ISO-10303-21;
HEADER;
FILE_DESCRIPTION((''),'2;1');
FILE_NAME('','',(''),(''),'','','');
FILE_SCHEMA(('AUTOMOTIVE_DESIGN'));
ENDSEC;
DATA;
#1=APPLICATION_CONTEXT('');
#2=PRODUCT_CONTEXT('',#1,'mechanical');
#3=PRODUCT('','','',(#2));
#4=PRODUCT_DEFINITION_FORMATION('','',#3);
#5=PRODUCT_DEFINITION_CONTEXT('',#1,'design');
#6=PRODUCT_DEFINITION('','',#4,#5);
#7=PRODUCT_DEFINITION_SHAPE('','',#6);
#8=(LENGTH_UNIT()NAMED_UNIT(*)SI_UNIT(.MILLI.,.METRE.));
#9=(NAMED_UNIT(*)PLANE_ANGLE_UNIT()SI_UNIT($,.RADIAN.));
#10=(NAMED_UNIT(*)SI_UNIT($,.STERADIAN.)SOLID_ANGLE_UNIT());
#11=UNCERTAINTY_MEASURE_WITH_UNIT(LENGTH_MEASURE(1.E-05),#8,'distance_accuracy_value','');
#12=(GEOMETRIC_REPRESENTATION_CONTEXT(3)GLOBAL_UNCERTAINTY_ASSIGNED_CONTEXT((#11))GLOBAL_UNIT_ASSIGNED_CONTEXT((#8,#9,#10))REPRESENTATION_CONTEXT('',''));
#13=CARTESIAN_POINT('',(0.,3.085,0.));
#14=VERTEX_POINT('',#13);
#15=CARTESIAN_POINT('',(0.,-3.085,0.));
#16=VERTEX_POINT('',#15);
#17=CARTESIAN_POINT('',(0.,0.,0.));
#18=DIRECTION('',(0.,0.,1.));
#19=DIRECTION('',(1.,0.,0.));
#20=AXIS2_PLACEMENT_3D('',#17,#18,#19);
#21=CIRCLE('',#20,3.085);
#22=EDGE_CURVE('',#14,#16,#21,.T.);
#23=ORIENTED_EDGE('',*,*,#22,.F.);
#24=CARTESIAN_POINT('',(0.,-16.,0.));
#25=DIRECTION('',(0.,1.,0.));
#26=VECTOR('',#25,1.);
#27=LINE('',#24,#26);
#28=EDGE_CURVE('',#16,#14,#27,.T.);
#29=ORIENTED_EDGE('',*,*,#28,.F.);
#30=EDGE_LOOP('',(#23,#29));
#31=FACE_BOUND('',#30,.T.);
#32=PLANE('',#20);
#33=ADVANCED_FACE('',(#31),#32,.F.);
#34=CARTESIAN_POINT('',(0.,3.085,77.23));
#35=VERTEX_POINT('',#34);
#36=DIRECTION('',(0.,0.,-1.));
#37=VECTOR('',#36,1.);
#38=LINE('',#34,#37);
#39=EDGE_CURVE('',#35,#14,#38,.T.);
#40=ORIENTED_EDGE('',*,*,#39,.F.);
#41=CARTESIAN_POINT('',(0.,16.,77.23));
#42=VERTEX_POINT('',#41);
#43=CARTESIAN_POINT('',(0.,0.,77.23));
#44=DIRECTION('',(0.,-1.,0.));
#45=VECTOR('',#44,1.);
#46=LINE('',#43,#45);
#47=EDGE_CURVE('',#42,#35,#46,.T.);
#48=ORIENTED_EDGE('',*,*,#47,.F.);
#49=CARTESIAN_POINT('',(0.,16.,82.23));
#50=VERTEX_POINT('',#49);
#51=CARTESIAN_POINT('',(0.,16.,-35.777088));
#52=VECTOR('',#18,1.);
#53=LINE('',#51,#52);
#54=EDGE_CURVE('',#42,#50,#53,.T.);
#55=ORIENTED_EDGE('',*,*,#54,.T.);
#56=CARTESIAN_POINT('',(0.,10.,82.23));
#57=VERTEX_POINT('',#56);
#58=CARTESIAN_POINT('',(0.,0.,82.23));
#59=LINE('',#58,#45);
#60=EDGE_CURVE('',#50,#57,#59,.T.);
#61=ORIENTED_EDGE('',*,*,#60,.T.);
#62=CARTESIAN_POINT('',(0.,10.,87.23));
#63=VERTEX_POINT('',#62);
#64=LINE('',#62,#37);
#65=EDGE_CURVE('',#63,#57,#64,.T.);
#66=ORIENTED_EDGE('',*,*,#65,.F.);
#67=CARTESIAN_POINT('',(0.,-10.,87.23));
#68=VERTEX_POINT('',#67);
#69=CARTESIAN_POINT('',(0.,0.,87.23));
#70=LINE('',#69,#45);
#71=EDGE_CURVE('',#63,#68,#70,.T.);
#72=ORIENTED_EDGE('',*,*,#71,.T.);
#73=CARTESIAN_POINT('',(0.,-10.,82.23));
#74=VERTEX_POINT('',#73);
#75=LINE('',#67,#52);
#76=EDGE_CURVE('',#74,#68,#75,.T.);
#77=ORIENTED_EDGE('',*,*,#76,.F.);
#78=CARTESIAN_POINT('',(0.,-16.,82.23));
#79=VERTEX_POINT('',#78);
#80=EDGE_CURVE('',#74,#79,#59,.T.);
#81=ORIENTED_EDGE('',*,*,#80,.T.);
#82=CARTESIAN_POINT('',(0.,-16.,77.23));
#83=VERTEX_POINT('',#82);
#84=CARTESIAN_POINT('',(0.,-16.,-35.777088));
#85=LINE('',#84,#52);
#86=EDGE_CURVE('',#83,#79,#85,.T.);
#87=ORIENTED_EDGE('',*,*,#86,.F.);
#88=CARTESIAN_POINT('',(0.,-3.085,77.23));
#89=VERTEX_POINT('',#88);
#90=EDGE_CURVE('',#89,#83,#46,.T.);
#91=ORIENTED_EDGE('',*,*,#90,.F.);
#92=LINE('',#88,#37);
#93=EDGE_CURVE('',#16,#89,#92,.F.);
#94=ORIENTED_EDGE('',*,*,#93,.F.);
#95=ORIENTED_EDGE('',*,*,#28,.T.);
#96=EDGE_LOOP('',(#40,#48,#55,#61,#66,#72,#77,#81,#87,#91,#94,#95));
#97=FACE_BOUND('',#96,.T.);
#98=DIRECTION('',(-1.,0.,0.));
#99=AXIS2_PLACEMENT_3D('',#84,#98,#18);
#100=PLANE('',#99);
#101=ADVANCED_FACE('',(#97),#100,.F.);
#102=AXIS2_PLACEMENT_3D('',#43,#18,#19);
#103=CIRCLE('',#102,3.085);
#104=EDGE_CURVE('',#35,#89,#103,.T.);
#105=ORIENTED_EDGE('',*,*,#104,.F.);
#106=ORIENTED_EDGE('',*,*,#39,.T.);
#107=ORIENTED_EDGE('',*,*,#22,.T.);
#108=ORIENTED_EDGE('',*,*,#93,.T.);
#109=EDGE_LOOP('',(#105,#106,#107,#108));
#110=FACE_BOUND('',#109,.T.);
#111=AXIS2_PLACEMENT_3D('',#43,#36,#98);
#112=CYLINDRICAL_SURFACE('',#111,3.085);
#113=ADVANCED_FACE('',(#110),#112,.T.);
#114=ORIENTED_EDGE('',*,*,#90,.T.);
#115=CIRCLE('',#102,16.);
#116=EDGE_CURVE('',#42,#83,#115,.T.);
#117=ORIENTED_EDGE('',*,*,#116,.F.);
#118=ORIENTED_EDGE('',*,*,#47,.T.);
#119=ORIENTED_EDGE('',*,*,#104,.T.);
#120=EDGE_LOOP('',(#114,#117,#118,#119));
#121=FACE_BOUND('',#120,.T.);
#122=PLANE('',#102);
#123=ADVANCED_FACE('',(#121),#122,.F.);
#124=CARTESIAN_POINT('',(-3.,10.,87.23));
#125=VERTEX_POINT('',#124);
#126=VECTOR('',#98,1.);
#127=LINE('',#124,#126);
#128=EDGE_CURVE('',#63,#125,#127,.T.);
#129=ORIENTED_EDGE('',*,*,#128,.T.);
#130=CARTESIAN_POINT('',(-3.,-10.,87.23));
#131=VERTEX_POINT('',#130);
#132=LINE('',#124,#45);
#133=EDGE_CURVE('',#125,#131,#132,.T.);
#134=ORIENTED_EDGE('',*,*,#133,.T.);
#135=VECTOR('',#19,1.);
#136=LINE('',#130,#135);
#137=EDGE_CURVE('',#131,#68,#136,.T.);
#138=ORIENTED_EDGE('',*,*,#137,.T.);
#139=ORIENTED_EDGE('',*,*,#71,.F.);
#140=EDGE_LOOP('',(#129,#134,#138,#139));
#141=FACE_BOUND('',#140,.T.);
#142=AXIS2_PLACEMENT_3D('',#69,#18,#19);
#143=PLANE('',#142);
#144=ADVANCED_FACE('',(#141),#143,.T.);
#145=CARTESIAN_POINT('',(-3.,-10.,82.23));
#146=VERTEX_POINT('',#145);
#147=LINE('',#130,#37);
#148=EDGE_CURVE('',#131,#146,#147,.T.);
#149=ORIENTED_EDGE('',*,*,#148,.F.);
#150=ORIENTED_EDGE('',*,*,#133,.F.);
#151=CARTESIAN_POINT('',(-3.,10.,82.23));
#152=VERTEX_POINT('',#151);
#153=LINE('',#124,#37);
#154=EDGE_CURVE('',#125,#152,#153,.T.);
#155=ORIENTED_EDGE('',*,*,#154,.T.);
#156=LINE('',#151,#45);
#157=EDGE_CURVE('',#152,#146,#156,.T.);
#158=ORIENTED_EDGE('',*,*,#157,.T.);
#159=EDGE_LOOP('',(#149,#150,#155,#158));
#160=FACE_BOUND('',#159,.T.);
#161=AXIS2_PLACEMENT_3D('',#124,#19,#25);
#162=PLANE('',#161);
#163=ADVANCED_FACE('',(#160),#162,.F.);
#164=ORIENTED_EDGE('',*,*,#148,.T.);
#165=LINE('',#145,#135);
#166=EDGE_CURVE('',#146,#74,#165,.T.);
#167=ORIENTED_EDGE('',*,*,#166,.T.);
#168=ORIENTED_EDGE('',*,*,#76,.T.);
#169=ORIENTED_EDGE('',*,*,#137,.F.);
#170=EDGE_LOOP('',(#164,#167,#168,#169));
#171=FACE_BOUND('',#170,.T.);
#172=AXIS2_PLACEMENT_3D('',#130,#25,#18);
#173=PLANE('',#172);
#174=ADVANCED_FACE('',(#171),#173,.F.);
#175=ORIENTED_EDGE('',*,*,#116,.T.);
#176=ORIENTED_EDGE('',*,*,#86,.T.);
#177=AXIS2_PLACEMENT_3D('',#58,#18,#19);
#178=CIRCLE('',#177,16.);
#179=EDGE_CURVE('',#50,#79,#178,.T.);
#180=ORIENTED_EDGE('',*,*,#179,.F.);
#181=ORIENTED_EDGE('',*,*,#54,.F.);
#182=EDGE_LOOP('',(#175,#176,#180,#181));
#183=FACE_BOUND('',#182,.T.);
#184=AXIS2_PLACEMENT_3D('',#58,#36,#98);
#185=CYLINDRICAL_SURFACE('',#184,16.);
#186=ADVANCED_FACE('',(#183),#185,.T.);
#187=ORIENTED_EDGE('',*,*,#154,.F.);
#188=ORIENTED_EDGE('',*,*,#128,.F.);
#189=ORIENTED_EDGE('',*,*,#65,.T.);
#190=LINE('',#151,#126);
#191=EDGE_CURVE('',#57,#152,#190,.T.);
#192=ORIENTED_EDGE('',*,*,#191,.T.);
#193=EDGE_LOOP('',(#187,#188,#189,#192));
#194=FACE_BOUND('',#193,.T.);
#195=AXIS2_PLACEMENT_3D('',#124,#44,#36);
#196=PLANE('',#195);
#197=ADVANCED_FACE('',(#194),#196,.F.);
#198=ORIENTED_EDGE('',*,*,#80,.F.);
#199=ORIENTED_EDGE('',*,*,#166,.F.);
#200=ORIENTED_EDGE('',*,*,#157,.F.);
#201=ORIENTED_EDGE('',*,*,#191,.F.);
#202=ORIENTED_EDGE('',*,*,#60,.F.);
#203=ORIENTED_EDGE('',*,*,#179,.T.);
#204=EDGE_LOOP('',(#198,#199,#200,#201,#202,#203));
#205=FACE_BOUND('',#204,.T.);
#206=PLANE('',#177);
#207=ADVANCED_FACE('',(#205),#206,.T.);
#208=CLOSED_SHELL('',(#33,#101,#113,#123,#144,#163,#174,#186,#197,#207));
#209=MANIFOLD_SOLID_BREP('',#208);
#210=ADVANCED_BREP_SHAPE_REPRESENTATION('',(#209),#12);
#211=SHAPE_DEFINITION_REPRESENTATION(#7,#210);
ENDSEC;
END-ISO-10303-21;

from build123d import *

# Parameters (mm, degrees)
CROQUIS11_R             = 3.085
SALIENTE_EXTRUIR2_DEPTH = 77.23
CROQUIS12_R             = 16
SALIENTE_EXTRUIR3_DEPTH = 5
CROQUIS13_W             = 6
CROQUIS13_H             = 20
SALIENTE_EXTRUIR4_DEPTH = 5
CORTAR_EXTRUIR9_REACH   = 92.117
CROQUIS14_W             = 16
CROQUIS14_H             = 32


with BuildPart() as part:
    # Croquis11 → Saliente-Extruir2 (new body)
    with BuildSketch(Plane.XY):
        Circle(CROQUIS11_R)
    extrude(amount=SALIENTE_EXTRUIR2_DEPTH)

    # Croquis12 → Saliente-Extruir3 (add)
    with BuildSketch(Plane.XY.offset(77.23)):
        Circle(CROQUIS12_R)
    extrude(amount=SALIENTE_EXTRUIR3_DEPTH)

    # Croquis13 → Saliente-Extruir4 (add)
    with BuildSketch(Plane.XY.offset(82.23)):
        Rectangle(CROQUIS13_W, CROQUIS13_H)
    extrude(amount=SALIENTE_EXTRUIR4_DEPTH)

    # Cortar-Extruir9: up to this face of the body (flat: up to its plane)
    cortar_extruir9_end = Plane(part.part.faces().sort_by_distance((0, 0, 0))[0])
    # Croquis14 → Cortar-Extruir9 (cut, up to the picked face)
    with BuildSketch(Plane.XY.offset(87.23), mode=Mode.PRIVATE) as cortar_extruir9_sk1:
        with Locations((8, 0)):
            Rectangle(CROQUIS14_W, CROQUIS14_H)
    cortar_extruir9_tool1 = split(extrude(cortar_extruir9_sk1.sketch, amount=-CORTAR_EXTRUIR9_REACH, mode=Mode.PRIVATE), bisect_by=cortar_extruir9_end, keep=Keep.BOTH, mode=Mode.PRIVATE)
    add(cortar_extruir9_tool1.solids().sort_by(Axis((8, 0, 87.23), (0, 0, -1)))[0], mode=Mode.SUBTRACT)


solid = part.part
